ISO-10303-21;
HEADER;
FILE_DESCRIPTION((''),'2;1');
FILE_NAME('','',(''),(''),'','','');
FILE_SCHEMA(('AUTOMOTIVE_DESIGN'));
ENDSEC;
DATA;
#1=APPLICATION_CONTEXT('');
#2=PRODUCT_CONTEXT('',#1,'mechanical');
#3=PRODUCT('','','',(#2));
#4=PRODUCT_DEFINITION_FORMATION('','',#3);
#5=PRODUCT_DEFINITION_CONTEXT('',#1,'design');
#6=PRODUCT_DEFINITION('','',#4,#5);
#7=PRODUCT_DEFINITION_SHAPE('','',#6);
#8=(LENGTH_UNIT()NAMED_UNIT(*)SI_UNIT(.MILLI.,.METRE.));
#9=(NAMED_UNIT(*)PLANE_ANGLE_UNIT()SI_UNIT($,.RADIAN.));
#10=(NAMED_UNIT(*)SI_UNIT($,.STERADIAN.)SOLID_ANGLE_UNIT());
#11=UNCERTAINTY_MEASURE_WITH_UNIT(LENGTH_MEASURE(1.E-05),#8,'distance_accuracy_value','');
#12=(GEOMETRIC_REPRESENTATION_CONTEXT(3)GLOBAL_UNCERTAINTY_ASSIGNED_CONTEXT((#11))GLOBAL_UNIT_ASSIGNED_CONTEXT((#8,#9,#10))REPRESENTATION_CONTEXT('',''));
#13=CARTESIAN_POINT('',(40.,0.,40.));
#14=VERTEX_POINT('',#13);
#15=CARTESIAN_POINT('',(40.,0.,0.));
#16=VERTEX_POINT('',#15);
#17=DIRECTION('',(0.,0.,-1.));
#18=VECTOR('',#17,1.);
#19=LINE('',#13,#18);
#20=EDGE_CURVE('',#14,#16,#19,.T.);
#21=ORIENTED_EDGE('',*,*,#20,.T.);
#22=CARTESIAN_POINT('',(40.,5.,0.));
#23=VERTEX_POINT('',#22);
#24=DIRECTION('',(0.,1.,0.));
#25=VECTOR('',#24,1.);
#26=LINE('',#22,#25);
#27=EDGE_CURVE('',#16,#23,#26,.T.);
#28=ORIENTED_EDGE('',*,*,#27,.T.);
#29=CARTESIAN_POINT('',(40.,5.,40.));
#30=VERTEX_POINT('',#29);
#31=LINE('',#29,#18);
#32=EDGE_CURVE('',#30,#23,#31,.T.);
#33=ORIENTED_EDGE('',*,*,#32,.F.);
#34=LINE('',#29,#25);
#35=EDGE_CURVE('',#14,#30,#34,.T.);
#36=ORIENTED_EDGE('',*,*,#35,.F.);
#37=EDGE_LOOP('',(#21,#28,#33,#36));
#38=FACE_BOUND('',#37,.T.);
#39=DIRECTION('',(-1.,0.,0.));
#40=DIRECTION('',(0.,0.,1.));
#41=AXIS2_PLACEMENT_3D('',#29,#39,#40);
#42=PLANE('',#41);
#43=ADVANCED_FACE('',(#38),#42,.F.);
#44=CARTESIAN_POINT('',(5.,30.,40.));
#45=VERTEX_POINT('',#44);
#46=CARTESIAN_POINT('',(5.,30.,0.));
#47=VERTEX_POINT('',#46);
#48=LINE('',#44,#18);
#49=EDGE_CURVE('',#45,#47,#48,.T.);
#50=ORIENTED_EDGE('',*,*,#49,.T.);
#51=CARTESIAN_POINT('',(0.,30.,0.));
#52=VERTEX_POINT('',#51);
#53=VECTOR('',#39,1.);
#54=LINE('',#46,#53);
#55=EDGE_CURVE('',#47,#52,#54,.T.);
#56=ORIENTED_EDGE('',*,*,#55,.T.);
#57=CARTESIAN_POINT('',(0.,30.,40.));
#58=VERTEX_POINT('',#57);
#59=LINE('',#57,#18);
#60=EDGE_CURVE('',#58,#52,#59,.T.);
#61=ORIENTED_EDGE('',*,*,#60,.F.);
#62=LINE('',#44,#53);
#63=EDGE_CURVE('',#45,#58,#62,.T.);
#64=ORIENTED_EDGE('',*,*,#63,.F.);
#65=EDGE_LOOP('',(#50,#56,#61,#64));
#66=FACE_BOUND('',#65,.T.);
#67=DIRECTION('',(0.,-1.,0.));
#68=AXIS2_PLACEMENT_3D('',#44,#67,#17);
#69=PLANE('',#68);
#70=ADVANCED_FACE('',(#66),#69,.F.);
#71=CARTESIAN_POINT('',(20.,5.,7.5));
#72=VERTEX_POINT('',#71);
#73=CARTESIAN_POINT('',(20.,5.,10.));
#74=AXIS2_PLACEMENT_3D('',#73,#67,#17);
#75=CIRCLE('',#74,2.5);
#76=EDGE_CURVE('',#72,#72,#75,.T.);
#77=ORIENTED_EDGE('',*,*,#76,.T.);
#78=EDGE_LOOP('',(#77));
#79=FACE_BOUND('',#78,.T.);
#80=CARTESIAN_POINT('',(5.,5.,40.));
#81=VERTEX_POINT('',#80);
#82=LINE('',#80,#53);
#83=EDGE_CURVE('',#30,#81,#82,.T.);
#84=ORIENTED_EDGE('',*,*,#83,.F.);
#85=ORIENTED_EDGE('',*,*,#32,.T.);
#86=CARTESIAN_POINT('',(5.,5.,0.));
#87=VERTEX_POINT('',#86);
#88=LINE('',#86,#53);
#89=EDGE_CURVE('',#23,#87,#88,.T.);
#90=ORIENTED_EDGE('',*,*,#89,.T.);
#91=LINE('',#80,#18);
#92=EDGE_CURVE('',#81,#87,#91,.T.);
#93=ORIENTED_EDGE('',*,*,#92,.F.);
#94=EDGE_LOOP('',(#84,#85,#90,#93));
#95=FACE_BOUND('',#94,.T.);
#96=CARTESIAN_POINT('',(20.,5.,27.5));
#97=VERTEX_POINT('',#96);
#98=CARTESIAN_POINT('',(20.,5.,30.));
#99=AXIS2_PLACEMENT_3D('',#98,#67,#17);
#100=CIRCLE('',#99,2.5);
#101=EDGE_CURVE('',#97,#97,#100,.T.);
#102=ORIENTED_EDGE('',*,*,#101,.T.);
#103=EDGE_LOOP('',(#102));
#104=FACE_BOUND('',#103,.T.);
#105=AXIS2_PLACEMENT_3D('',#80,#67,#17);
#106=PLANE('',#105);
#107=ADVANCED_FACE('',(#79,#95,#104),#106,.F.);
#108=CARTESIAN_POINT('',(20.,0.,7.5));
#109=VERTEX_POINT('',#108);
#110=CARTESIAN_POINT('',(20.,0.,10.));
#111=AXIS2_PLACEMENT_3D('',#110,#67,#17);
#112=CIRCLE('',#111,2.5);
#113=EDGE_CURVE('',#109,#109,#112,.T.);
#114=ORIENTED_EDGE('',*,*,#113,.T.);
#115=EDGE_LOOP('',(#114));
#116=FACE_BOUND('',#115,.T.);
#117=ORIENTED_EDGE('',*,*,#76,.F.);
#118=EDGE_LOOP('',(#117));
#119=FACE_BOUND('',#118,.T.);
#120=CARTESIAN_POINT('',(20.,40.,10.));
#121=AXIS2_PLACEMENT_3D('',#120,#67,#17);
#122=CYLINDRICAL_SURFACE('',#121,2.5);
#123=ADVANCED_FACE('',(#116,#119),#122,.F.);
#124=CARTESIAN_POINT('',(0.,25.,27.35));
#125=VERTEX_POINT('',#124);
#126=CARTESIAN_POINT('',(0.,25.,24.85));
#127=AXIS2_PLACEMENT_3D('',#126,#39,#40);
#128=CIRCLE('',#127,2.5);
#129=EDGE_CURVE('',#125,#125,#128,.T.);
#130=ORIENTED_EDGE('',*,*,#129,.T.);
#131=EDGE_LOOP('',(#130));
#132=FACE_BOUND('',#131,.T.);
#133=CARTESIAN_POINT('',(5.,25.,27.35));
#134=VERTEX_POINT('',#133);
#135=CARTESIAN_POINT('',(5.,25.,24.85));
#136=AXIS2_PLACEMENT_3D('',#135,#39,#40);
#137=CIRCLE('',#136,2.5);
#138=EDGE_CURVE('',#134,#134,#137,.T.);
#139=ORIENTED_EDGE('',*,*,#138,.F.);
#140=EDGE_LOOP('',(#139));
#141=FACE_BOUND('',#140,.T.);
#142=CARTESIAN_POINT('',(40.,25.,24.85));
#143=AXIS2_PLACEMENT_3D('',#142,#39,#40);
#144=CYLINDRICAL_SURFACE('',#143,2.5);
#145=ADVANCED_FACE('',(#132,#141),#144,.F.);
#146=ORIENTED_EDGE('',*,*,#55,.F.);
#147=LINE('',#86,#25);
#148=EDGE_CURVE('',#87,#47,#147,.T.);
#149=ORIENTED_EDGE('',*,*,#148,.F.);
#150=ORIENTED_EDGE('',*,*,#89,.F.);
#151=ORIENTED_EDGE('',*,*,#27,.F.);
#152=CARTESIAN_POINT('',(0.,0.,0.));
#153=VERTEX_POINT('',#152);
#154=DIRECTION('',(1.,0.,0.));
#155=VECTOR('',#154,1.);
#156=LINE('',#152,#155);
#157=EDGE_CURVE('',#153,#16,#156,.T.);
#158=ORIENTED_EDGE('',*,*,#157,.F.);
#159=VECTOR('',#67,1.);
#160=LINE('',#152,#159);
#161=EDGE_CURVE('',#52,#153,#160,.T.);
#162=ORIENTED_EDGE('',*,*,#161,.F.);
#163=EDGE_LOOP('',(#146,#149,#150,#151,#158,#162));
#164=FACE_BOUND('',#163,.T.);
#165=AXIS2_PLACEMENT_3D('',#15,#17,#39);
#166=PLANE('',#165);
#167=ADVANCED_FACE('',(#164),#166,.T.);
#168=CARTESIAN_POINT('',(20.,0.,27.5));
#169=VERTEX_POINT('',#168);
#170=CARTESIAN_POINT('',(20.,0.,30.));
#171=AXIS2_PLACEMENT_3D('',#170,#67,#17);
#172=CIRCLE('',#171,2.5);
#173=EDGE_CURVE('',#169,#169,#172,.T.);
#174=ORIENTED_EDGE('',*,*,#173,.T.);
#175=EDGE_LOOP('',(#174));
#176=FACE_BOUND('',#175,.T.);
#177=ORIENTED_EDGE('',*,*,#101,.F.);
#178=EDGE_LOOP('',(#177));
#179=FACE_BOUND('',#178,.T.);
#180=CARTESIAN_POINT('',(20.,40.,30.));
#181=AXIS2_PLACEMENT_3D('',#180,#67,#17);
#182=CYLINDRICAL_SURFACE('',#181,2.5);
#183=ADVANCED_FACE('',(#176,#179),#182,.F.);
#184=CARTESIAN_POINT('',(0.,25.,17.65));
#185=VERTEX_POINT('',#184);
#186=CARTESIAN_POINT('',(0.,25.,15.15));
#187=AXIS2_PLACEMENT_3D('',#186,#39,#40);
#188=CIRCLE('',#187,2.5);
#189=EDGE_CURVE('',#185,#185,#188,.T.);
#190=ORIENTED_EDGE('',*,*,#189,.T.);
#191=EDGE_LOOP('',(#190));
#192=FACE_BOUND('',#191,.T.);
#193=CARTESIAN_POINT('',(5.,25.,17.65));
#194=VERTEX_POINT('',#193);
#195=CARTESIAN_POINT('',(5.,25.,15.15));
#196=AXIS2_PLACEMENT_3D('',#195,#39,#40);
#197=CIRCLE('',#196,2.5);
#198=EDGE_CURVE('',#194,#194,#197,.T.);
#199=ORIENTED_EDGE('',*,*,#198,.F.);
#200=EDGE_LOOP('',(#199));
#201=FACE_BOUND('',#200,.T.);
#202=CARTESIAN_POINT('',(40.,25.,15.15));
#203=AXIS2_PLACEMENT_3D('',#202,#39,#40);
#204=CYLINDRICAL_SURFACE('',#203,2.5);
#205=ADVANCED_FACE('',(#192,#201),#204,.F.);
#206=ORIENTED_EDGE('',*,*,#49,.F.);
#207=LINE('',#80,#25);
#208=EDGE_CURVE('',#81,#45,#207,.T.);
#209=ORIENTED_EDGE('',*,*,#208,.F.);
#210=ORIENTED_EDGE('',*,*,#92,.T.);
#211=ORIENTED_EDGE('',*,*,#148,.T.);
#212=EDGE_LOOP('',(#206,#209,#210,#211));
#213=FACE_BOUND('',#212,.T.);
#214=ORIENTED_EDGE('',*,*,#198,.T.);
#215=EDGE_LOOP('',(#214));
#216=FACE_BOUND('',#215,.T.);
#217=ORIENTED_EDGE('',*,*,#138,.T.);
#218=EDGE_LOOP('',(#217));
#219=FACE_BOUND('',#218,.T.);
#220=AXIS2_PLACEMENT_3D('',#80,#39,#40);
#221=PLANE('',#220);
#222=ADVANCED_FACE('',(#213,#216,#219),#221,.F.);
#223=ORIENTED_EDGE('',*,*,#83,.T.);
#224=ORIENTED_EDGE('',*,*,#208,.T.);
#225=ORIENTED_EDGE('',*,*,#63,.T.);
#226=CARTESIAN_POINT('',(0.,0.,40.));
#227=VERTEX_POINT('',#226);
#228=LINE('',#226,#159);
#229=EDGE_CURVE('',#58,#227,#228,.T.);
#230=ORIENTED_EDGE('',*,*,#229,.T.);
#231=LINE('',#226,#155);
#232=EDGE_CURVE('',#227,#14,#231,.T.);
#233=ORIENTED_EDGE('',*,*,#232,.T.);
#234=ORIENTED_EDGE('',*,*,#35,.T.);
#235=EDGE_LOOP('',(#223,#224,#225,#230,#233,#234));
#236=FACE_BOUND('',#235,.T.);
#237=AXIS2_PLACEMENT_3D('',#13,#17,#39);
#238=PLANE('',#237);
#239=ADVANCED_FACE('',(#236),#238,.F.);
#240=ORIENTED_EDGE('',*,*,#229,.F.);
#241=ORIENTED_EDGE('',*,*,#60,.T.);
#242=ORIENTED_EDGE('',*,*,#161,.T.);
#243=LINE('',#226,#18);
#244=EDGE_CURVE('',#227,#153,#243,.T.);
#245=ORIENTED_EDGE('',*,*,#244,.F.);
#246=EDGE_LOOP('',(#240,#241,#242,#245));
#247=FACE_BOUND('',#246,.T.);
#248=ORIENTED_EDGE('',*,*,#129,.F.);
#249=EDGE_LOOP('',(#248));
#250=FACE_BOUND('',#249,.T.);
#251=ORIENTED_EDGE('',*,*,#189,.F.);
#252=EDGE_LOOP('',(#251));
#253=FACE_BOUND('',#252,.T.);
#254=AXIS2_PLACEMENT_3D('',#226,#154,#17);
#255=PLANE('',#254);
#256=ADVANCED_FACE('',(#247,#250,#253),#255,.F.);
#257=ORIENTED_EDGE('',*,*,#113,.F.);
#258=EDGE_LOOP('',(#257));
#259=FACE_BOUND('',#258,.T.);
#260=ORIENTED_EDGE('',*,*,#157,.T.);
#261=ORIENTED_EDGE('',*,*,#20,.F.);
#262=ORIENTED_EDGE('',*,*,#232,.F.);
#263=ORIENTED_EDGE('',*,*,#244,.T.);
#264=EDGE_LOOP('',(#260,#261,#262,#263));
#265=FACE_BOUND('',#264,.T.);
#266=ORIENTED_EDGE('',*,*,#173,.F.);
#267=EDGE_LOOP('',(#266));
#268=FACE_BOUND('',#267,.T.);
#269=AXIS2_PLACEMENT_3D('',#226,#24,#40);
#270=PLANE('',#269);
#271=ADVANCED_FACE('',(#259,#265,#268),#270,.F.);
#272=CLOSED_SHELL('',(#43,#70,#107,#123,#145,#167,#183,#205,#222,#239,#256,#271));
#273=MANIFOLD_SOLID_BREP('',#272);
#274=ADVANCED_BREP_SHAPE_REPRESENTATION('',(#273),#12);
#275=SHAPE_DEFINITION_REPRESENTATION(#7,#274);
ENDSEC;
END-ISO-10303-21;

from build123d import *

# Parameters (mm, degrees)
BOSS_EXTRUDE1_DEPTH = 40
SKETCH2_R           = 2.5
CUT_EXTRUDE1_DEPTH  = 40
SKETCH3_R           = 2.5
CUT_EXTRUDE2_DEPTH  = 40


with BuildPart() as part:
    # Sketch1 → Boss-Extrude1 (new body)
    with BuildSketch(Plane.XY):
        Polygon((0, 0), (0, 30), (5, 30), (5, 5), (40, 5), (40, 0), align=None)
    extrude(amount=BOSS_EXTRUDE1_DEPTH)

    # Sketch2 → Cut-Extrude1 (cut)
    with BuildSketch(Plane.ZY):
        with Locations((24.85, 25)):
            Circle(SKETCH2_R)
        with Locations((15.15, 25)):
            Circle(SKETCH2_R)
    extrude(amount=-CUT_EXTRUDE1_DEPTH, mode=Mode.SUBTRACT)

    # Sketch3 → Cut-Extrude2 (cut)
    with BuildSketch(Plane.XZ):
        with Locations((20, 30)):
            Circle(SKETCH3_R)
        with Locations((20, 10)):
            Circle(SKETCH3_R)
    extrude(amount=-CUT_EXTRUDE2_DEPTH, mode=Mode.SUBTRACT)


solid = part.part
